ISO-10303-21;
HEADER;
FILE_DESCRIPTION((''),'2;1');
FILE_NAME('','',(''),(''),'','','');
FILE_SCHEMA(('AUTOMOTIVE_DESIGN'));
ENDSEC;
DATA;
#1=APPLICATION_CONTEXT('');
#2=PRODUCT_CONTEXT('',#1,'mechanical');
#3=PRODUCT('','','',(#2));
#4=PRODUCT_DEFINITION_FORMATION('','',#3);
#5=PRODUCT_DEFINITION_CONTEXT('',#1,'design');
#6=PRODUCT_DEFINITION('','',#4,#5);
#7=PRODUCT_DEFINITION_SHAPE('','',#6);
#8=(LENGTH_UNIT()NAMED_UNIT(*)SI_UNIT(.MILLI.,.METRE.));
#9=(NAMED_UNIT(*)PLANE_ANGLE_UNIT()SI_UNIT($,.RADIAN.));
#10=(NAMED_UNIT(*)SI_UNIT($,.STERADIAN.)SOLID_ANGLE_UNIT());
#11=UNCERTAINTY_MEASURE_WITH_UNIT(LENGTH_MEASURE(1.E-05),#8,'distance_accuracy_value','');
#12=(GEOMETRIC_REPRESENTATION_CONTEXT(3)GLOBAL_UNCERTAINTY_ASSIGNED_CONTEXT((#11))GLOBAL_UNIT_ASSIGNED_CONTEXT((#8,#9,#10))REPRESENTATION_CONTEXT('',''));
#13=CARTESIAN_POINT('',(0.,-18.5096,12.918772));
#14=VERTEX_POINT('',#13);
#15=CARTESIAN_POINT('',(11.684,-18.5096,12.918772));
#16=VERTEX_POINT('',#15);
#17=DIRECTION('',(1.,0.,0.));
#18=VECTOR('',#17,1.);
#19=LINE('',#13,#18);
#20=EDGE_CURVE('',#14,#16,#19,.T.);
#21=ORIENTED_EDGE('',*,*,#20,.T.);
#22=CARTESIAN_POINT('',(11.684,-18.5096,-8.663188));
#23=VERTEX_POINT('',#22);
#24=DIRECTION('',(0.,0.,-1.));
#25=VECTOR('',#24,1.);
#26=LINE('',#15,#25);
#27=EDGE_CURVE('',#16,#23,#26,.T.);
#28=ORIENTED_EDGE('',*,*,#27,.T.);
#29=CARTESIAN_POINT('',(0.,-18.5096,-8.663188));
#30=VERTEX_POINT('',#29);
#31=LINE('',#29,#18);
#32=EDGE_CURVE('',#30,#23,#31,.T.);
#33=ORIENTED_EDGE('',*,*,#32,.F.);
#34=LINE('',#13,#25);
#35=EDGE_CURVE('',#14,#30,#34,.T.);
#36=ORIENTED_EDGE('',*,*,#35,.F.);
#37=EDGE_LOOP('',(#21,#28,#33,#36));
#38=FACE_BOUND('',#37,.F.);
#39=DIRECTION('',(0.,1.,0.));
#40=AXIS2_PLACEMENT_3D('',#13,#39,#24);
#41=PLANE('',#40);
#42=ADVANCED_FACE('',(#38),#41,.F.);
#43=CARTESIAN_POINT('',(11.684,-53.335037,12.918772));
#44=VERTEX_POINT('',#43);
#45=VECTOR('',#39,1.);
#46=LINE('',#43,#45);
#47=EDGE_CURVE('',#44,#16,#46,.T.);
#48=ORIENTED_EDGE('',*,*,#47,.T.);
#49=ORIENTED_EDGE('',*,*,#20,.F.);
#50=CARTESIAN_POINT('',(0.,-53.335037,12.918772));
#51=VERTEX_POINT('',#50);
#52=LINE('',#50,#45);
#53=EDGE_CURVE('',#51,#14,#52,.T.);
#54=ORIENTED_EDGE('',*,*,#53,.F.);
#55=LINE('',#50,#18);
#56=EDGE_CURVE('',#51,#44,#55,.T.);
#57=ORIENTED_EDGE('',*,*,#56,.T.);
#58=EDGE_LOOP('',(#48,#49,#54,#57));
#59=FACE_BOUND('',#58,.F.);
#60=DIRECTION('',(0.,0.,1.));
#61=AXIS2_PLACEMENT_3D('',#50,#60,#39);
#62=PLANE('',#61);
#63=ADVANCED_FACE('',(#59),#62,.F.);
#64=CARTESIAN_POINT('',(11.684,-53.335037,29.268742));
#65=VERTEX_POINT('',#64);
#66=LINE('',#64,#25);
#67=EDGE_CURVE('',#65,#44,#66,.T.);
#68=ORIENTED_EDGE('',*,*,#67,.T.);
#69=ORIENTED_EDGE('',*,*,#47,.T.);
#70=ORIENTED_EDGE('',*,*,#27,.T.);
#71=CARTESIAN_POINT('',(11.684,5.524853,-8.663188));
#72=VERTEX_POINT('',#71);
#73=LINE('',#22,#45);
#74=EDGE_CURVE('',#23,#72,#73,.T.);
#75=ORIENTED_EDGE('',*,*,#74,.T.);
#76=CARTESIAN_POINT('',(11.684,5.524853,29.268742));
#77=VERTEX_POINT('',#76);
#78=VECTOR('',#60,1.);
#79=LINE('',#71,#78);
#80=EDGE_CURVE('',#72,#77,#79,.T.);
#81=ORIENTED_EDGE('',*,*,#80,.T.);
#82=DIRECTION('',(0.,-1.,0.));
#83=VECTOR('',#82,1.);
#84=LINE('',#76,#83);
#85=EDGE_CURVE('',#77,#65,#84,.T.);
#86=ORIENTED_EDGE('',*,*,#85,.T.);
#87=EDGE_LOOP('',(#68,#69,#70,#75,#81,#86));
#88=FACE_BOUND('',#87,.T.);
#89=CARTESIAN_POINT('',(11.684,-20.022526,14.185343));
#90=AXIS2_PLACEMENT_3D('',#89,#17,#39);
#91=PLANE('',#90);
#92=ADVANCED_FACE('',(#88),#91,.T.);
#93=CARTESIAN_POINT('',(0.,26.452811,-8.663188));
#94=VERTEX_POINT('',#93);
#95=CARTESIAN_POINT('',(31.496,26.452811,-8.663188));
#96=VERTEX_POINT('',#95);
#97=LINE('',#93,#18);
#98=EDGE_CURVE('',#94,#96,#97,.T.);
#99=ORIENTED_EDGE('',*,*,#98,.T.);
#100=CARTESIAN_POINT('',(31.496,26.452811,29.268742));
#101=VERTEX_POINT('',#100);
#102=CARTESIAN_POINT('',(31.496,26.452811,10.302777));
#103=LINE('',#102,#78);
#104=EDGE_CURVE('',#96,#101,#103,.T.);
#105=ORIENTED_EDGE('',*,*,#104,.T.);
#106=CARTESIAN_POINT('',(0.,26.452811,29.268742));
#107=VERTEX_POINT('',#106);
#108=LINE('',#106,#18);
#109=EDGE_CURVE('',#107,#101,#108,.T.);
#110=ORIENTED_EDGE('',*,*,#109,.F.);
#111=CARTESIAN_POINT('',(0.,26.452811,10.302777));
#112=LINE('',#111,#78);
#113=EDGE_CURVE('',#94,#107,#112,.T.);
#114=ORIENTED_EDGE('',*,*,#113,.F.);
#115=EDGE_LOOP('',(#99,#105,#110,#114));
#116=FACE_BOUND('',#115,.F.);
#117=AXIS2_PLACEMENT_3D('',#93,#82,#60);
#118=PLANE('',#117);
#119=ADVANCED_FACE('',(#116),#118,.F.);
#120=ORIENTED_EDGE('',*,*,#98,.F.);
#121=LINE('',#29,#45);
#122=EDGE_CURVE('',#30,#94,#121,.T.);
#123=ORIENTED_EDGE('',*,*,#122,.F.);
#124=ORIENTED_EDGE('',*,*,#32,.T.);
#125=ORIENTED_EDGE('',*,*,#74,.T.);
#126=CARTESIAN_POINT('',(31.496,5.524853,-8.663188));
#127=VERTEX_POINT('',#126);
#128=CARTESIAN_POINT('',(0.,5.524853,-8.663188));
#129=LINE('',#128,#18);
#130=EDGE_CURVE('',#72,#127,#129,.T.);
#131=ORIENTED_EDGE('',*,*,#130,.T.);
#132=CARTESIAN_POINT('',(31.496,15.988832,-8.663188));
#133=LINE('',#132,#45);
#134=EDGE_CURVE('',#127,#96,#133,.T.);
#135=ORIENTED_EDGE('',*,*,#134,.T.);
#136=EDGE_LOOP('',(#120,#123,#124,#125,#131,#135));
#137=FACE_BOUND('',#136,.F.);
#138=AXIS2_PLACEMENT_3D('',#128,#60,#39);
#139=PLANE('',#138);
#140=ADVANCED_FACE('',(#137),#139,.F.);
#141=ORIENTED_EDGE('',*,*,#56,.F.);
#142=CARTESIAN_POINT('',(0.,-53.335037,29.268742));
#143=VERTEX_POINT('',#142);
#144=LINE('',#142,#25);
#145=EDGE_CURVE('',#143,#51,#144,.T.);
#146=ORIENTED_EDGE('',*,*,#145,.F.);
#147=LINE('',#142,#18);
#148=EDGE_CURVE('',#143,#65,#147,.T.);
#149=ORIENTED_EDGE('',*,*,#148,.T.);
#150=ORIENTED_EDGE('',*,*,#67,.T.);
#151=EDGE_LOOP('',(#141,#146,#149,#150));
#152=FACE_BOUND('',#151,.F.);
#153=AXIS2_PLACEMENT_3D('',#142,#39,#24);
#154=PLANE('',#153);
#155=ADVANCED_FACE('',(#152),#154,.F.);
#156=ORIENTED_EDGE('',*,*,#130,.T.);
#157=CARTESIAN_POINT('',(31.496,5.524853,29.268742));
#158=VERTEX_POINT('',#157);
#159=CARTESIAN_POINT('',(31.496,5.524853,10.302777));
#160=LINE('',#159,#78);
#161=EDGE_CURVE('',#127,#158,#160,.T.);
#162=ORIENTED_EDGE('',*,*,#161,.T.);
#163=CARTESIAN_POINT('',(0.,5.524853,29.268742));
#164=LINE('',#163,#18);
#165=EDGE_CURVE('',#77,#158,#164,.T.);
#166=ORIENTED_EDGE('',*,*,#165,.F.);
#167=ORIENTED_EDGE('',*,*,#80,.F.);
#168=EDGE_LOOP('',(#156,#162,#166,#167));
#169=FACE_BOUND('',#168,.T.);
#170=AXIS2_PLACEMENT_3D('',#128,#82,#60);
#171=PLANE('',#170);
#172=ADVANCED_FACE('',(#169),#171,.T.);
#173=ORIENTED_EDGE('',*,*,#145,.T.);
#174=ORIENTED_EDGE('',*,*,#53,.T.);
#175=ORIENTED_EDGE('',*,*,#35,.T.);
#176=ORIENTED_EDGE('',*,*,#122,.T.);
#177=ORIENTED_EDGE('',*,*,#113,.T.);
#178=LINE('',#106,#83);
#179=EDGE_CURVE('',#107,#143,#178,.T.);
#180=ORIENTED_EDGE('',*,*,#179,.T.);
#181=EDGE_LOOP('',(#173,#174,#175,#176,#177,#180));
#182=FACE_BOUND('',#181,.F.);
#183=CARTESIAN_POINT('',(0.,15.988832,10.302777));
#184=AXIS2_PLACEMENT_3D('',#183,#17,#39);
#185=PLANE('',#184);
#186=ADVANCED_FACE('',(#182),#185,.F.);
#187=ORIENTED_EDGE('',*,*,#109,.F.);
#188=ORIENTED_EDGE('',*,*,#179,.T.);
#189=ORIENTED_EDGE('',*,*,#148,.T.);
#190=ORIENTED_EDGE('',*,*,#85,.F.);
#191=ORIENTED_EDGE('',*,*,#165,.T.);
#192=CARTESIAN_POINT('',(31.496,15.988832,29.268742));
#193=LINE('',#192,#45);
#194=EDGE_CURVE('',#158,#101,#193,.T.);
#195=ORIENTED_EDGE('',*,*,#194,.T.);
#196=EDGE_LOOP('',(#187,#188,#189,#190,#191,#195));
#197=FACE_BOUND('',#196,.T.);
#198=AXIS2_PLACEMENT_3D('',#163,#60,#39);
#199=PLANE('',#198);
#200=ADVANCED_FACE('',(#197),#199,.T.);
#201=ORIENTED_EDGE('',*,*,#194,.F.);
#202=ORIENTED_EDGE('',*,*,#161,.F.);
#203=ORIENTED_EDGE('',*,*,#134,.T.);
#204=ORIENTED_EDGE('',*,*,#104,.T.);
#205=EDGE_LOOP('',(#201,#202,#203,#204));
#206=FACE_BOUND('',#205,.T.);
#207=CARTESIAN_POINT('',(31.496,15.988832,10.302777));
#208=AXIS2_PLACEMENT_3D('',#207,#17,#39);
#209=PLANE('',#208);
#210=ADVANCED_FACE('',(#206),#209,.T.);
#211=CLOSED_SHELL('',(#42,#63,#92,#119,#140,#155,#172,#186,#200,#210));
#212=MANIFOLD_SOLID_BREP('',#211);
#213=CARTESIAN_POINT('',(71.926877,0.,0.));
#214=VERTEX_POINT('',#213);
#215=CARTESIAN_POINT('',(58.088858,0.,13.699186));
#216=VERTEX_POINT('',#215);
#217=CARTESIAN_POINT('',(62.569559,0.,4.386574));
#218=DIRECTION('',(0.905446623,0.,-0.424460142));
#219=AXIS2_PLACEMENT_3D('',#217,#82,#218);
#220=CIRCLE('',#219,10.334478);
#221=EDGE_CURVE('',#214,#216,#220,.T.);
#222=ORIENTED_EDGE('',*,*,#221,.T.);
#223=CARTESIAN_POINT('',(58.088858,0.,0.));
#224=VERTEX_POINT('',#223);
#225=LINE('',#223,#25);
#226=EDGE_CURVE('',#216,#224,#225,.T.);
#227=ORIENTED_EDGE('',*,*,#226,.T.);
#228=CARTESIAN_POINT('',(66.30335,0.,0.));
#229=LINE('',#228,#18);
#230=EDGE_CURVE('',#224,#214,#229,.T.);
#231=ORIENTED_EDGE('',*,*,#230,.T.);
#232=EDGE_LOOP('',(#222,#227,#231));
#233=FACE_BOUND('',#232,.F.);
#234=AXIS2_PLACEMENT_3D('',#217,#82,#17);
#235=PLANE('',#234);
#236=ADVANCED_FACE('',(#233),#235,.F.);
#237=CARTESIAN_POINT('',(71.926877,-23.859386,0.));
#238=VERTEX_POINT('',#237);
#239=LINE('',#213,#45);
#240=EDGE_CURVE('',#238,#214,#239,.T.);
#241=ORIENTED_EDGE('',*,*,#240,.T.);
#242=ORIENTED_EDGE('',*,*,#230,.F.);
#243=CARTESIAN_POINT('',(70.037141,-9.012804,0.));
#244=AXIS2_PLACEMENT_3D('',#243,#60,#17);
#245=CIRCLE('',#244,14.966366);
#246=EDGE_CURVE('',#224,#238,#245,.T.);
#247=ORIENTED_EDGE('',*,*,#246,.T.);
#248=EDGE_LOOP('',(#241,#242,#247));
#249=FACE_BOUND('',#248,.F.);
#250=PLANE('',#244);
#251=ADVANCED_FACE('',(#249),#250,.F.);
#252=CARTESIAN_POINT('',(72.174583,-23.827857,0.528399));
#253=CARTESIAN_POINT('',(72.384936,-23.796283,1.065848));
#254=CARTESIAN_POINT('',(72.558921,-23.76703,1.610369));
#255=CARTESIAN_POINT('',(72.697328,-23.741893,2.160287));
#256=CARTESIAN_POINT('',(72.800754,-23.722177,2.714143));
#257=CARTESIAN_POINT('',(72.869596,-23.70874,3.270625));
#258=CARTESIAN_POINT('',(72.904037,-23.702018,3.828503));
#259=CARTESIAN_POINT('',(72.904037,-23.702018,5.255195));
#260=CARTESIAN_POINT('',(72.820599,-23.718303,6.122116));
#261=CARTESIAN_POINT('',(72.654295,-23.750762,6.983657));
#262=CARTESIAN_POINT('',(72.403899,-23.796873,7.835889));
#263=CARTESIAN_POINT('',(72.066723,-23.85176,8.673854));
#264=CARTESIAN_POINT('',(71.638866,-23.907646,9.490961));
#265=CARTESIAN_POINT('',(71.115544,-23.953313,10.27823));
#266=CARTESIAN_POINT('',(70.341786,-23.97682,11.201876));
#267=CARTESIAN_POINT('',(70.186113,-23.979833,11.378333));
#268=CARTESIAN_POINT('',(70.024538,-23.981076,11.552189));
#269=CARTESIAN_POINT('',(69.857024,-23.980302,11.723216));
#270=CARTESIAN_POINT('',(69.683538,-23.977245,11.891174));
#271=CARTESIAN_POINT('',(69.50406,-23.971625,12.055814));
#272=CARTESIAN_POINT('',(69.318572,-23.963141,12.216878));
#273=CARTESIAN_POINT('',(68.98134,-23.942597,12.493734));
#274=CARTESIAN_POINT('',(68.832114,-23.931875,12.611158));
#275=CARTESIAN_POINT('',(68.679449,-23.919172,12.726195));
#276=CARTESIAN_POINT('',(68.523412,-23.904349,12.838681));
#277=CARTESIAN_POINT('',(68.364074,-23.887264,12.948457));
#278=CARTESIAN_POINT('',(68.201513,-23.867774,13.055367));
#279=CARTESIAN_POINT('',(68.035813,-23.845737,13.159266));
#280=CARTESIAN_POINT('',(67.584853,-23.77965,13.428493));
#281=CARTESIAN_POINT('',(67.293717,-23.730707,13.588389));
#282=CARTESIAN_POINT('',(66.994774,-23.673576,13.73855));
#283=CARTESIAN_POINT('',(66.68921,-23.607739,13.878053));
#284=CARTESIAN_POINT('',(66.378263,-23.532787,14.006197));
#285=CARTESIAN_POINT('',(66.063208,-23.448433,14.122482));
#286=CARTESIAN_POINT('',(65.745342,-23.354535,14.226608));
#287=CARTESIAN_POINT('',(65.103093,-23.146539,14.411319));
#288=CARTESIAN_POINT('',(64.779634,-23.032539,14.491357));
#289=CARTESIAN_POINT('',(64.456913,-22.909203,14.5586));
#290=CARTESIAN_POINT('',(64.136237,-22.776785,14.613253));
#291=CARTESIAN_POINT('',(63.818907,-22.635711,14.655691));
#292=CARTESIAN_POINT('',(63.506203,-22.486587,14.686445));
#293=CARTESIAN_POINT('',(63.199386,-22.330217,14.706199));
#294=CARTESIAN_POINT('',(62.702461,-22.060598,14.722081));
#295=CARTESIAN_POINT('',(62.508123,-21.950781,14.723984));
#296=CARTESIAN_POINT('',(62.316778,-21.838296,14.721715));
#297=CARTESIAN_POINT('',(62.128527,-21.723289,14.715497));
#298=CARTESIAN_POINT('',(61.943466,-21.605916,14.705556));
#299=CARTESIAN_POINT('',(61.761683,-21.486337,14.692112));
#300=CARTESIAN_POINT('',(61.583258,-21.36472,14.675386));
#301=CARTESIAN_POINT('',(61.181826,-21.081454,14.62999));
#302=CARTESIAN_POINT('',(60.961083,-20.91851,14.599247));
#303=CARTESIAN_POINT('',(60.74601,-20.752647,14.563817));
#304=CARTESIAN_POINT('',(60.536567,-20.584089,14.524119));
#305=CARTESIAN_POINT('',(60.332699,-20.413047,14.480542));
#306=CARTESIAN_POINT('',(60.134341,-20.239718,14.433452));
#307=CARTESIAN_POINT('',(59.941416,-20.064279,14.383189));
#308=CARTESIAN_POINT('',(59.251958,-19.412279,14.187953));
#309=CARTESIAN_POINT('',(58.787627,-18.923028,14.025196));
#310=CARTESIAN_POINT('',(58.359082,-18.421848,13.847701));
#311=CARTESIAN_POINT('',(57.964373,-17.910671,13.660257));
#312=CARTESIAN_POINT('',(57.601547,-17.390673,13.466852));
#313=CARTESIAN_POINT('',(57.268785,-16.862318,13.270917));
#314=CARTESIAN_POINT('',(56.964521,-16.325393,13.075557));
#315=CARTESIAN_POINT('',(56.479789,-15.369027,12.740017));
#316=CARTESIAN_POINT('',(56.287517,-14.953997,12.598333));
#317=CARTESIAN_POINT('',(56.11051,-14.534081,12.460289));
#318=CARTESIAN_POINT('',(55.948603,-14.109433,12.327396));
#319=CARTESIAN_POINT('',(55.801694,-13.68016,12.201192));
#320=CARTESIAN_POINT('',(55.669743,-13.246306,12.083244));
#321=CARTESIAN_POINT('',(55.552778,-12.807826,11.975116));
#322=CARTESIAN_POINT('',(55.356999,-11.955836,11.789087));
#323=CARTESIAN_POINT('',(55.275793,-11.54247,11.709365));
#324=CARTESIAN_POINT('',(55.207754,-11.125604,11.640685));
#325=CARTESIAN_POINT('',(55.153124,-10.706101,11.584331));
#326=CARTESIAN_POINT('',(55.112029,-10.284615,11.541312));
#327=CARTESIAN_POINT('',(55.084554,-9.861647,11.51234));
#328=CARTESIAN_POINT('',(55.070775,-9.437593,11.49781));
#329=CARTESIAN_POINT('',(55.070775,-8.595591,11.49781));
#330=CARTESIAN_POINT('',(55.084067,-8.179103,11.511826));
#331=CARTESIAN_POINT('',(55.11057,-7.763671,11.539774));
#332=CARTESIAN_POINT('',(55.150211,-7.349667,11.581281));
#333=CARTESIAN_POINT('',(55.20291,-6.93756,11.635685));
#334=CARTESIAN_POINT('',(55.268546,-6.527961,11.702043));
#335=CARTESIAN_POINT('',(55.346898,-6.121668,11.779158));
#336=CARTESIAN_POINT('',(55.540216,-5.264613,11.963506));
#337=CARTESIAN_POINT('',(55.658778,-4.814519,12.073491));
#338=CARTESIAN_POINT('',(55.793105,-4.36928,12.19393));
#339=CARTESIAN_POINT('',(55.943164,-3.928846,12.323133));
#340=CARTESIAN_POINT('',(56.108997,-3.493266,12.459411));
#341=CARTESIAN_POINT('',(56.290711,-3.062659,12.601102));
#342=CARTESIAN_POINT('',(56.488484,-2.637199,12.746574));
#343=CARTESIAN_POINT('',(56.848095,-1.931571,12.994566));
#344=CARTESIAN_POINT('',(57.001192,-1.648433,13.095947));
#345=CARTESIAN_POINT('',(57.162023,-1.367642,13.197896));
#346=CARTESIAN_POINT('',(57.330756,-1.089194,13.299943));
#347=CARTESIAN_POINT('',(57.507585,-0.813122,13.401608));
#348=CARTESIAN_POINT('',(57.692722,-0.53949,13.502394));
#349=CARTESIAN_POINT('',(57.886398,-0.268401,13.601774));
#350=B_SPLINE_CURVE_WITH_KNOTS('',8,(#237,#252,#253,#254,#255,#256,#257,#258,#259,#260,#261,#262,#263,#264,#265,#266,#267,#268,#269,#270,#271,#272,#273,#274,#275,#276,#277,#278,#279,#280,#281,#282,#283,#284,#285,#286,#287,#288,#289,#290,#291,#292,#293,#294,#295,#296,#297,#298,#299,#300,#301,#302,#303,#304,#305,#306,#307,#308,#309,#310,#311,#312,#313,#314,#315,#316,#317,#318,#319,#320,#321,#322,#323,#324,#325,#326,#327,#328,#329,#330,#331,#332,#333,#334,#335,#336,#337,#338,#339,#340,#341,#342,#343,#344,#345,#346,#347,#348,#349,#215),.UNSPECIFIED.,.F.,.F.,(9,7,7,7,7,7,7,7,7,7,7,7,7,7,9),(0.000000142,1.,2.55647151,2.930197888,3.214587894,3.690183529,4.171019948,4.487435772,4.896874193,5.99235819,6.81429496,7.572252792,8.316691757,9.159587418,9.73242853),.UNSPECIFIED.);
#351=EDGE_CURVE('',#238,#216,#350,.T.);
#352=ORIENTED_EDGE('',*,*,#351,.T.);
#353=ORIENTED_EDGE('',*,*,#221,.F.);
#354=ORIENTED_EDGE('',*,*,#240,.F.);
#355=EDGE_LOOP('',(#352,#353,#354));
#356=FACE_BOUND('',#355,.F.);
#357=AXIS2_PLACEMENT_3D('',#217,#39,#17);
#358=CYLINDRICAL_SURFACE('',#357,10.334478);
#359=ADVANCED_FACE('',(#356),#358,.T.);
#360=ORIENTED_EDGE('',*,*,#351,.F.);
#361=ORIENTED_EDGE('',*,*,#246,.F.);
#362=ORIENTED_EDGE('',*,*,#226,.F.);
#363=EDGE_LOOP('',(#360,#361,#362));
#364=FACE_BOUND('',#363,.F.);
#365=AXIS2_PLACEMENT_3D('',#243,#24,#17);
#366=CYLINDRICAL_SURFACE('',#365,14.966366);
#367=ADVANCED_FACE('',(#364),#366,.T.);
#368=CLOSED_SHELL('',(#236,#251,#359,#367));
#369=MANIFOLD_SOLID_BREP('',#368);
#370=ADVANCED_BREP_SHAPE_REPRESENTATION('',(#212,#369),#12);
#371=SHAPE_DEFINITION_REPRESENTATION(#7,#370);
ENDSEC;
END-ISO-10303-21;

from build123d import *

# Parameters (mm, degrees)
F1_DEPTH = 11.684
F0_W     = 20.927958
F0_H     = 37.93193
F2_DEPTH = 31.496
F3_R     = 14.966366
F4_DEPTH = 25.4
F5_R     = 6.323448
F5_R_2   = 10.334478
F6_DEPTH = 25.4


with BuildPart() as f1:
    # F0 (on Right) → F1 (new body)
    with BuildSketch(Plane.YZ):
        Polygon((5.524853, 29.268742), (-53.335037, 29.268742), (-53.335037, 12.918772), (-18.5096, 12.918772), (-18.5096, -8.663188), (5.524853, -8.663188), align=None)
    extrude(amount=F1_DEPTH)

    # F0 (on Right) → F2 (join)
    with BuildSketch(Plane.YZ):
        with Locations((15.988832, 10.302777)):
            Rectangle(F0_W, F0_H)
    extrude(amount=F2_DEPTH)


with BuildPart() as f4:
    # F3 (on Top) → F4 (new body)
    with BuildSketch(Plane.XY):
        with Locations((70.037141, -9.012804)):
            Circle(F3_R)
    extrude(amount=F4_DEPTH)

    # F5 (on Front) → F6 (intersect)
    with BuildSketch(Plane.XZ):
        with Locations((82.932055, 39.263789)):
            Circle(F5_R)
        with Locations((62.569559, 4.386574)):
            Circle(F5_R_2)
    extrude(amount=F6_DEPTH, mode=Mode.INTERSECT)


solid = Compound([f1.part, f4.part])
